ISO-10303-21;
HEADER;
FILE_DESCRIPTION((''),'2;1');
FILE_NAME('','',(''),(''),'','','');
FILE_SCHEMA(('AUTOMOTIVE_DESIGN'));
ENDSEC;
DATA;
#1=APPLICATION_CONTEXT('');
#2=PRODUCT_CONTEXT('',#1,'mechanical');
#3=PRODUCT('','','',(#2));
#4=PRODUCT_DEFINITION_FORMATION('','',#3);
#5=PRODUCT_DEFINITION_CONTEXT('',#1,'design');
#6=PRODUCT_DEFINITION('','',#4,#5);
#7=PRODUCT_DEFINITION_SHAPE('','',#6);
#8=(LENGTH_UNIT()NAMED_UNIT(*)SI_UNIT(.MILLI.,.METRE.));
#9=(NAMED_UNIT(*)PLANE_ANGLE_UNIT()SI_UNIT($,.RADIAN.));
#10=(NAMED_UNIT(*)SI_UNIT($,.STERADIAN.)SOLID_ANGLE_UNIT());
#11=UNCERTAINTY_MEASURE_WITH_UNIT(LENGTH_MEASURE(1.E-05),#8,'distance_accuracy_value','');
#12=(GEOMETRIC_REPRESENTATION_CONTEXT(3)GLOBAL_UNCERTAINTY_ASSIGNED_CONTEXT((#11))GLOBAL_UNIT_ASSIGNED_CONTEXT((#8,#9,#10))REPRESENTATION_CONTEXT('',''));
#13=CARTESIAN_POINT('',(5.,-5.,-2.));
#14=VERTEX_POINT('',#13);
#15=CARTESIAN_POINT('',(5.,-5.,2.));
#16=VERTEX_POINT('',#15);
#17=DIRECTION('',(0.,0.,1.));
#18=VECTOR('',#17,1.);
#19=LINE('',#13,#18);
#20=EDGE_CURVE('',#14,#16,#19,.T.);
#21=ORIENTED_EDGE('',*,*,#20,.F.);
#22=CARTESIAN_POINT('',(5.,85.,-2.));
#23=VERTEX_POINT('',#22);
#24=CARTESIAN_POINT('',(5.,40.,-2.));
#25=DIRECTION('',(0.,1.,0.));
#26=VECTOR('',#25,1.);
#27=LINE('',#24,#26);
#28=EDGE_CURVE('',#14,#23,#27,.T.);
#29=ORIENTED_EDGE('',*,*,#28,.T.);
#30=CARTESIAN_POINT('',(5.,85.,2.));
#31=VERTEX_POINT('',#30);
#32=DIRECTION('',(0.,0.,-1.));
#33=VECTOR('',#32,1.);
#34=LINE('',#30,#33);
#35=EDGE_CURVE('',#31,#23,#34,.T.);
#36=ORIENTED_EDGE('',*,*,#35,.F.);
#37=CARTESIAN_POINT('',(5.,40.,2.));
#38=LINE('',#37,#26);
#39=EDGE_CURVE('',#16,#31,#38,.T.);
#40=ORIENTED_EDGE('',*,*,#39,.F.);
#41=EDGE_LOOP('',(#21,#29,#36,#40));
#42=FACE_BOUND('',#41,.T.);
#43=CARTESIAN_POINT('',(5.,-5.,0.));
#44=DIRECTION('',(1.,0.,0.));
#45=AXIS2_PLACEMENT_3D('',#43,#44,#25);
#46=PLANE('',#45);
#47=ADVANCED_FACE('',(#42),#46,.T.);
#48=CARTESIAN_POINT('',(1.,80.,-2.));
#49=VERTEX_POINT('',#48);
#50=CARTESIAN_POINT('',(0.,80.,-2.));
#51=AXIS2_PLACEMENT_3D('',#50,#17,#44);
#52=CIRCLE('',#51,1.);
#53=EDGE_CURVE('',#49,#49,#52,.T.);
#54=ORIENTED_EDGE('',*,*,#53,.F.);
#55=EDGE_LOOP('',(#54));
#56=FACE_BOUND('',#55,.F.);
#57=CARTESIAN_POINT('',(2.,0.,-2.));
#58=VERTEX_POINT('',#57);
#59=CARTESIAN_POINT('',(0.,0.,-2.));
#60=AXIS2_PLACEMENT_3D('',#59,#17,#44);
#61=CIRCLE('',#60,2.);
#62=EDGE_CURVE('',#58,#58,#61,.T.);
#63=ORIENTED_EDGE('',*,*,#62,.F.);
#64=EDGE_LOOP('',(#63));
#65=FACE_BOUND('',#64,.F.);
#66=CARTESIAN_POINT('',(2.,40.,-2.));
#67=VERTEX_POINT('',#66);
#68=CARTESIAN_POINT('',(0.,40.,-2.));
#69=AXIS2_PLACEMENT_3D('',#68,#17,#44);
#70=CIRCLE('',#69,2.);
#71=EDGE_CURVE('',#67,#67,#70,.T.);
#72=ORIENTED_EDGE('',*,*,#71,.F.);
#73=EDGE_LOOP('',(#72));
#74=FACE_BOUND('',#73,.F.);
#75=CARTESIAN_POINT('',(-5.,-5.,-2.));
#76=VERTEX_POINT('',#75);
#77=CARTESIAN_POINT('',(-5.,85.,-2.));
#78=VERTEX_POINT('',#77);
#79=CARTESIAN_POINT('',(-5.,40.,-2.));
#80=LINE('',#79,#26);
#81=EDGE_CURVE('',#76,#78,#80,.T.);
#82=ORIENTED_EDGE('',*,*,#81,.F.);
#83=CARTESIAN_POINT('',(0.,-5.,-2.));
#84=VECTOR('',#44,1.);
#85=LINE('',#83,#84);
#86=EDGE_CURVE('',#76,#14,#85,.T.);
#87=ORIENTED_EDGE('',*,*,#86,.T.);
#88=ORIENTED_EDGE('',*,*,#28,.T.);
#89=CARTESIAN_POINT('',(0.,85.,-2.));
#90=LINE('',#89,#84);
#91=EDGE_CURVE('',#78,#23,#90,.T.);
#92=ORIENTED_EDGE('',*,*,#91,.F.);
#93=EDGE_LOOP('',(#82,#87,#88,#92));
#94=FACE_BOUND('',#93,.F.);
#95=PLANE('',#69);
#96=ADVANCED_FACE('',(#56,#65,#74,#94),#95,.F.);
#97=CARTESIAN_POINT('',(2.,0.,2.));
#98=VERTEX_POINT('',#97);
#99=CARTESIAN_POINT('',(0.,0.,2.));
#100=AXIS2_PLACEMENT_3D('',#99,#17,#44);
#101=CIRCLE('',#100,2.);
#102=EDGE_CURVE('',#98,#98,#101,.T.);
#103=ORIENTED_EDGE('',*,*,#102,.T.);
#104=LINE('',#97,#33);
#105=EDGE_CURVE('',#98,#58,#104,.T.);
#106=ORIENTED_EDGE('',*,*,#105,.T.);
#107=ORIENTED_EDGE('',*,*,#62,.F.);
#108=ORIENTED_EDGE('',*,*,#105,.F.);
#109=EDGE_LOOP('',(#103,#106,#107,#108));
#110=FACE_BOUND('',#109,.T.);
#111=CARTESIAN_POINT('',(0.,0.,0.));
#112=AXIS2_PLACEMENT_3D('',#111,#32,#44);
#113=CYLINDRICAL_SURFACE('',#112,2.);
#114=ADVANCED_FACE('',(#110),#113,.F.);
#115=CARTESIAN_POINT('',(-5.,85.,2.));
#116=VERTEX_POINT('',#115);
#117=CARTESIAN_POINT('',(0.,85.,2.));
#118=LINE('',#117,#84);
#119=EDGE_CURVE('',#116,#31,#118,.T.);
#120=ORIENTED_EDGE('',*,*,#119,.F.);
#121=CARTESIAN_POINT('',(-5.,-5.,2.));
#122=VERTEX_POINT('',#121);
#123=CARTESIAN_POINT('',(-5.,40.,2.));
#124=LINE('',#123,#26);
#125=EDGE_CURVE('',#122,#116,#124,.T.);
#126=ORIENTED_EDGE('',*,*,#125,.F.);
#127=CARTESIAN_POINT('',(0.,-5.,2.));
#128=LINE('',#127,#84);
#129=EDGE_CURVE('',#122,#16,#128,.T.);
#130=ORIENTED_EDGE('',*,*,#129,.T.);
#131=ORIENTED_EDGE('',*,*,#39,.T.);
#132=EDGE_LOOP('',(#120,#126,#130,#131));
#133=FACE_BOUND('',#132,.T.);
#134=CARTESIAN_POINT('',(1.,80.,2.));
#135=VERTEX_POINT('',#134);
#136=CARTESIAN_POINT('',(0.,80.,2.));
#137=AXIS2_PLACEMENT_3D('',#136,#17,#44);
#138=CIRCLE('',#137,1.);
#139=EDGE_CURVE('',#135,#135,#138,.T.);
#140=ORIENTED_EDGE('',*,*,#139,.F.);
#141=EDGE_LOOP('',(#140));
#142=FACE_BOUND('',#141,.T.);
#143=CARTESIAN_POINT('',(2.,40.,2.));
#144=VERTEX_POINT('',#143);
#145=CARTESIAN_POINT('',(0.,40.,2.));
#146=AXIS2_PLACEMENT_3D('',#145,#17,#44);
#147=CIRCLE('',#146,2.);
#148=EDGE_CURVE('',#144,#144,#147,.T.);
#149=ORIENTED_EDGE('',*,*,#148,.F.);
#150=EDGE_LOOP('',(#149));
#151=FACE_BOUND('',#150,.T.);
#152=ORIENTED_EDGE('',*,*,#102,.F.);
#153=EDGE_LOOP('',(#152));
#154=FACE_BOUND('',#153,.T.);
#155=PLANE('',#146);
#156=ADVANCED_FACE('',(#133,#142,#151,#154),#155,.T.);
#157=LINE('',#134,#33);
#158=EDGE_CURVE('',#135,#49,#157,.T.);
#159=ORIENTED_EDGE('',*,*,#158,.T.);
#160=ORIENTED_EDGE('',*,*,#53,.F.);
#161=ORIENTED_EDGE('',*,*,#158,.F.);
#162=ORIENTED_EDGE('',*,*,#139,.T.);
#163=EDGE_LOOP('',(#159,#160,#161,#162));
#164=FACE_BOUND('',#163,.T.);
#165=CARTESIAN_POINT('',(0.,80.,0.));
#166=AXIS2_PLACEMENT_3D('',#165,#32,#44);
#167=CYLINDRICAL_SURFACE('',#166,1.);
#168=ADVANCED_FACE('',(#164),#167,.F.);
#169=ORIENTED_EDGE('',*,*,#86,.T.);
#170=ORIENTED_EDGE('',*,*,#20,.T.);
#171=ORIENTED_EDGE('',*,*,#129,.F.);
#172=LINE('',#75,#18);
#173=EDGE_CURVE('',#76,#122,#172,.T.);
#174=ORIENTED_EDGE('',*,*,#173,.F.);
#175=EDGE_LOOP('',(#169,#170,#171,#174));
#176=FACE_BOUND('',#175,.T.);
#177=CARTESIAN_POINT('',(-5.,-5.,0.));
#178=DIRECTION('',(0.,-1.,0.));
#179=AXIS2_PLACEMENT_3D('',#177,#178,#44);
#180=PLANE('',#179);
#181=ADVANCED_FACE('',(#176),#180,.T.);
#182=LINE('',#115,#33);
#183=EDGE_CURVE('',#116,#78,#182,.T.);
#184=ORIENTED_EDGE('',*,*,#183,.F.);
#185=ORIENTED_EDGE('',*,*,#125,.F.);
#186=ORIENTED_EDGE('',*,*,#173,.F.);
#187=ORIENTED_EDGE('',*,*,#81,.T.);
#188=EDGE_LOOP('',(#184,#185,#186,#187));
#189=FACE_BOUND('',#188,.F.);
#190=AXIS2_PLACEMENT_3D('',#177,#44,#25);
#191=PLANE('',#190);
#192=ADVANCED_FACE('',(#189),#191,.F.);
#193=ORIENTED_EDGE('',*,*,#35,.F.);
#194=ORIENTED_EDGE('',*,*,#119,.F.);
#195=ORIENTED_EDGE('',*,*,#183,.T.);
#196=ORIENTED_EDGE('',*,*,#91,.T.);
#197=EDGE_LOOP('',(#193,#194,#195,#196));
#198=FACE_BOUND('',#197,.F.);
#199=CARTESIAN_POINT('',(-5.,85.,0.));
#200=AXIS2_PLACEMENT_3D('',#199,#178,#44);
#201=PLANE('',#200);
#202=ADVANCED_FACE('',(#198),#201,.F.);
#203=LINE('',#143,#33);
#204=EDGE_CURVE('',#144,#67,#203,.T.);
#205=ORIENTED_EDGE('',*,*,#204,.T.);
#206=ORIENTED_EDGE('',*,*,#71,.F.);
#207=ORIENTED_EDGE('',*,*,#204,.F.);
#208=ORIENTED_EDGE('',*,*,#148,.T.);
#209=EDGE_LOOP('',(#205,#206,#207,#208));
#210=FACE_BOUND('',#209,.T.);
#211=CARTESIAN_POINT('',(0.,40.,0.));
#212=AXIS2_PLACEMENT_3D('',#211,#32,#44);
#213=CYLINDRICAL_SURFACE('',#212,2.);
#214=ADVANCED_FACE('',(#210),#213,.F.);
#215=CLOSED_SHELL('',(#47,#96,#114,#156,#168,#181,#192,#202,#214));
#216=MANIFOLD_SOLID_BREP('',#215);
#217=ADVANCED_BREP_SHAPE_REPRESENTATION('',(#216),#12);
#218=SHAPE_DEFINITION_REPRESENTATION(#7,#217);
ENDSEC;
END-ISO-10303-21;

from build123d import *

# Parameters (mm, degrees)
F0_W     = 10
F0_H     = 90
F0_R     = 2
F0_R_2   = 1
F1_DEPTH = 2


with BuildPart() as f1:
    # F0 (on Top) → F1 (new body, symmetric)
    with BuildSketch(Plane.XY):
        with Locations((0, 40)):
            Rectangle(F0_W, F0_H)
        Circle(F0_R, mode=Mode.SUBTRACT)
        with Locations((0, 40)):
            Circle(F0_R, mode=Mode.SUBTRACT)
        with Locations((0, 80)):
            Circle(F0_R_2, mode=Mode.SUBTRACT)
    extrude(amount=F1_DEPTH, both=True)


solid = f1.part
